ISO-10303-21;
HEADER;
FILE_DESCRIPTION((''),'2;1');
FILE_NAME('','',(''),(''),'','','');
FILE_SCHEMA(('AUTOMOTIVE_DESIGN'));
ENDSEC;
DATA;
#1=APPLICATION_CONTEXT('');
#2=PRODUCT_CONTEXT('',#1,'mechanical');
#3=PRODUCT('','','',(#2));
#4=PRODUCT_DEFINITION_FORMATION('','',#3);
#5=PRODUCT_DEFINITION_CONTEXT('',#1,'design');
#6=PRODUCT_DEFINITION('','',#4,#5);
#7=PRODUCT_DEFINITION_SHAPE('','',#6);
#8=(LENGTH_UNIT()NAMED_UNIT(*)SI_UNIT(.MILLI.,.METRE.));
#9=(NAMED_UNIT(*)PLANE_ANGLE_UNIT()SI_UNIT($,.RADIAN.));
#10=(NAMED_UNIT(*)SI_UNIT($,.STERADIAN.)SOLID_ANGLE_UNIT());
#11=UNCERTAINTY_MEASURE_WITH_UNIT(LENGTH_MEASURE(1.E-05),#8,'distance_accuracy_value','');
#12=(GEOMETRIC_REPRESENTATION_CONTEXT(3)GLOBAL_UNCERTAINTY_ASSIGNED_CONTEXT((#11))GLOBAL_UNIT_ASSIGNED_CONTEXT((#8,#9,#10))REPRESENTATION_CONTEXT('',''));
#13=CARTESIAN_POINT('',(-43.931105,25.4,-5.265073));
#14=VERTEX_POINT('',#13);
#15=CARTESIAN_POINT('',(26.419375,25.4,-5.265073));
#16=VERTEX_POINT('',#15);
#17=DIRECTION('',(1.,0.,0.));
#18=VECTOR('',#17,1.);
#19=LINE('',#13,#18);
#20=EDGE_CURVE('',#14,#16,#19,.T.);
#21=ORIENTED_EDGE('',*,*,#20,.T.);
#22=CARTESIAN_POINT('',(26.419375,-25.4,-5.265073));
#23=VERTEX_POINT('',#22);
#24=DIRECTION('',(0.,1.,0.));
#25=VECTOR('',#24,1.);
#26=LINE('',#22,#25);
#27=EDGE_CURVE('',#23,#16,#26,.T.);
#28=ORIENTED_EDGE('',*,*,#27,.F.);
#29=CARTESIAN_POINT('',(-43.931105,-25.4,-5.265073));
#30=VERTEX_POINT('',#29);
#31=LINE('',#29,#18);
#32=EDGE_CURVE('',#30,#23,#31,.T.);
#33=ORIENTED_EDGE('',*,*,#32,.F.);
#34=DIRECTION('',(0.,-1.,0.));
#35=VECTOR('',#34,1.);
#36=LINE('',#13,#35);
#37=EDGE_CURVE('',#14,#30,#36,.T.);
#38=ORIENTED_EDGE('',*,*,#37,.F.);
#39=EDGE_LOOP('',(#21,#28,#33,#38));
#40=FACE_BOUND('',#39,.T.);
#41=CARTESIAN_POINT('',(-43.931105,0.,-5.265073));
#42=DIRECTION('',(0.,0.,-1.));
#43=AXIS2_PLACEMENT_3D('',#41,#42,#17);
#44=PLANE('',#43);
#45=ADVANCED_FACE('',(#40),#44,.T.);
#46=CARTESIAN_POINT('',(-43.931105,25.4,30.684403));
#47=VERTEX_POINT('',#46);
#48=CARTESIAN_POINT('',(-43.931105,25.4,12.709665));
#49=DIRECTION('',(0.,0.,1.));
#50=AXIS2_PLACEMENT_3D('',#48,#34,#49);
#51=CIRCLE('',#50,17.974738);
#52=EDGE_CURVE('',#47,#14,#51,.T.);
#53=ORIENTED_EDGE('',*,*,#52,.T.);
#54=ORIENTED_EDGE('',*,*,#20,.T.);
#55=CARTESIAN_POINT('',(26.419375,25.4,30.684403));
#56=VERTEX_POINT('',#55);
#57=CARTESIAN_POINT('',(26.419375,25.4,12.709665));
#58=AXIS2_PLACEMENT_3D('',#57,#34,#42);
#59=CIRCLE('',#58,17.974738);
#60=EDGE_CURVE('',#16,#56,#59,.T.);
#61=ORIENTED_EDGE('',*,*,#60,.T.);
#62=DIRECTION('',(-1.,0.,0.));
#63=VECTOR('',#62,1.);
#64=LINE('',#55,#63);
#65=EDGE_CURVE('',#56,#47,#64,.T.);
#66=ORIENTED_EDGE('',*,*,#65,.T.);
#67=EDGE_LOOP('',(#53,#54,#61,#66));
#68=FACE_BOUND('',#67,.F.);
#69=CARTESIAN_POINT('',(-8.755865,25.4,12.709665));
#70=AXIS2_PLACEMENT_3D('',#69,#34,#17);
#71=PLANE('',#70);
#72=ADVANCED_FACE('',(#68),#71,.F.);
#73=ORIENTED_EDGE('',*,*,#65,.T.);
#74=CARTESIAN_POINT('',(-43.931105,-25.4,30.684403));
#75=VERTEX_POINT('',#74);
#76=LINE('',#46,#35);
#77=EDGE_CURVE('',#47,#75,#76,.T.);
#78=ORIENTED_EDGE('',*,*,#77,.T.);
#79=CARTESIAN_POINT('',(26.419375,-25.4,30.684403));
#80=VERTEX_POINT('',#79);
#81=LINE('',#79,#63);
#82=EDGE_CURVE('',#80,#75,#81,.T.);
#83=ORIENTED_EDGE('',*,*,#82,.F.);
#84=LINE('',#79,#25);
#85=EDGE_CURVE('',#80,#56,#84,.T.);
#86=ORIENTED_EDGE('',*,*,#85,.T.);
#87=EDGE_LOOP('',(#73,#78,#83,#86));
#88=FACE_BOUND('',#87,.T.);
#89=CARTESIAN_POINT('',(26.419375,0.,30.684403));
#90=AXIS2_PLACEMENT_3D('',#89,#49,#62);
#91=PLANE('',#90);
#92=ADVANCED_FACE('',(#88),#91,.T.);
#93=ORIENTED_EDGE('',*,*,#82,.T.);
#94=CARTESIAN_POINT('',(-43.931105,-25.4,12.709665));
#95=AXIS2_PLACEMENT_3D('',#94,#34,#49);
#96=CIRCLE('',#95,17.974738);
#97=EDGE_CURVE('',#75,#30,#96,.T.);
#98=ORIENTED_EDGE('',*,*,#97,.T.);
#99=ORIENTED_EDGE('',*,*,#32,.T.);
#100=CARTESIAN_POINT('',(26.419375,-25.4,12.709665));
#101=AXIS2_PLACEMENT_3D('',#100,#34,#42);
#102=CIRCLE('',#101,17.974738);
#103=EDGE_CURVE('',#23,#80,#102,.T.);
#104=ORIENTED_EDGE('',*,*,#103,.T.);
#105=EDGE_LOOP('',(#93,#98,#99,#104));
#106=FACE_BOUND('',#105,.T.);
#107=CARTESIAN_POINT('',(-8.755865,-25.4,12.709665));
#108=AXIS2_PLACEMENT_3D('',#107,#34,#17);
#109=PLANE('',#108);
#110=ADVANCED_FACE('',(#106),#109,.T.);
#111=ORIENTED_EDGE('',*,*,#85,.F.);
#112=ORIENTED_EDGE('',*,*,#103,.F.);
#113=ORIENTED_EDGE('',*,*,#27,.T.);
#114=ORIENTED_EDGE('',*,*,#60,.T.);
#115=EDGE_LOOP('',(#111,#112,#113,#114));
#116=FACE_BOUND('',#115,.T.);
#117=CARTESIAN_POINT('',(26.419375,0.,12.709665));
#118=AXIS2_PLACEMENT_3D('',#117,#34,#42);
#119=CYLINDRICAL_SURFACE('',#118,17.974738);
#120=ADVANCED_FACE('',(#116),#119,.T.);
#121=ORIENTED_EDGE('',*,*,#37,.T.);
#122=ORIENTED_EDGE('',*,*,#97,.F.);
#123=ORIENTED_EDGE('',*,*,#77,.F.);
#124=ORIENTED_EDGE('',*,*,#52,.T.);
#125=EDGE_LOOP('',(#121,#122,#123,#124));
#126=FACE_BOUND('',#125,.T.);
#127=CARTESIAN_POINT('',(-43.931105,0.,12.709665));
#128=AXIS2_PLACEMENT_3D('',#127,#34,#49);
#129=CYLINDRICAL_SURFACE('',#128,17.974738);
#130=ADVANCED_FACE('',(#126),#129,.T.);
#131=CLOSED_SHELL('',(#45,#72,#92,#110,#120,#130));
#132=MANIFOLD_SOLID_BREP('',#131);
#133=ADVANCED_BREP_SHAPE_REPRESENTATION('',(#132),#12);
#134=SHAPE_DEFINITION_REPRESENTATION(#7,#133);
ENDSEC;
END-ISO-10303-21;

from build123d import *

# Parameters (mm, degrees)
F1_DEPTH      = 25.4
F1_DEPTH_BACK = 25.4


with BuildPart() as f1:
    # F0 (on Front) → F1 (new body, two sides)
    with BuildSketch(Plane.XZ) as f1_sk:
        with BuildLine():
            Line((26.419375, 30.684403), (-43.931105, 30.684403))
            ThreePointArc((-43.931105, 30.684403), (-61.905843, 12.709665), (-43.931105, -5.265073))
            Line((-43.931105, -5.265073), (26.419375, -5.265073))
            ThreePointArc((26.419375, -5.265073), (44.394113, 12.709665), (26.419375, 30.684403))
        make_face()
    extrude(amount=F1_DEPTH)
    extrude(f1_sk.sketch, amount=-F1_DEPTH_BACK)


solid = f1.part
